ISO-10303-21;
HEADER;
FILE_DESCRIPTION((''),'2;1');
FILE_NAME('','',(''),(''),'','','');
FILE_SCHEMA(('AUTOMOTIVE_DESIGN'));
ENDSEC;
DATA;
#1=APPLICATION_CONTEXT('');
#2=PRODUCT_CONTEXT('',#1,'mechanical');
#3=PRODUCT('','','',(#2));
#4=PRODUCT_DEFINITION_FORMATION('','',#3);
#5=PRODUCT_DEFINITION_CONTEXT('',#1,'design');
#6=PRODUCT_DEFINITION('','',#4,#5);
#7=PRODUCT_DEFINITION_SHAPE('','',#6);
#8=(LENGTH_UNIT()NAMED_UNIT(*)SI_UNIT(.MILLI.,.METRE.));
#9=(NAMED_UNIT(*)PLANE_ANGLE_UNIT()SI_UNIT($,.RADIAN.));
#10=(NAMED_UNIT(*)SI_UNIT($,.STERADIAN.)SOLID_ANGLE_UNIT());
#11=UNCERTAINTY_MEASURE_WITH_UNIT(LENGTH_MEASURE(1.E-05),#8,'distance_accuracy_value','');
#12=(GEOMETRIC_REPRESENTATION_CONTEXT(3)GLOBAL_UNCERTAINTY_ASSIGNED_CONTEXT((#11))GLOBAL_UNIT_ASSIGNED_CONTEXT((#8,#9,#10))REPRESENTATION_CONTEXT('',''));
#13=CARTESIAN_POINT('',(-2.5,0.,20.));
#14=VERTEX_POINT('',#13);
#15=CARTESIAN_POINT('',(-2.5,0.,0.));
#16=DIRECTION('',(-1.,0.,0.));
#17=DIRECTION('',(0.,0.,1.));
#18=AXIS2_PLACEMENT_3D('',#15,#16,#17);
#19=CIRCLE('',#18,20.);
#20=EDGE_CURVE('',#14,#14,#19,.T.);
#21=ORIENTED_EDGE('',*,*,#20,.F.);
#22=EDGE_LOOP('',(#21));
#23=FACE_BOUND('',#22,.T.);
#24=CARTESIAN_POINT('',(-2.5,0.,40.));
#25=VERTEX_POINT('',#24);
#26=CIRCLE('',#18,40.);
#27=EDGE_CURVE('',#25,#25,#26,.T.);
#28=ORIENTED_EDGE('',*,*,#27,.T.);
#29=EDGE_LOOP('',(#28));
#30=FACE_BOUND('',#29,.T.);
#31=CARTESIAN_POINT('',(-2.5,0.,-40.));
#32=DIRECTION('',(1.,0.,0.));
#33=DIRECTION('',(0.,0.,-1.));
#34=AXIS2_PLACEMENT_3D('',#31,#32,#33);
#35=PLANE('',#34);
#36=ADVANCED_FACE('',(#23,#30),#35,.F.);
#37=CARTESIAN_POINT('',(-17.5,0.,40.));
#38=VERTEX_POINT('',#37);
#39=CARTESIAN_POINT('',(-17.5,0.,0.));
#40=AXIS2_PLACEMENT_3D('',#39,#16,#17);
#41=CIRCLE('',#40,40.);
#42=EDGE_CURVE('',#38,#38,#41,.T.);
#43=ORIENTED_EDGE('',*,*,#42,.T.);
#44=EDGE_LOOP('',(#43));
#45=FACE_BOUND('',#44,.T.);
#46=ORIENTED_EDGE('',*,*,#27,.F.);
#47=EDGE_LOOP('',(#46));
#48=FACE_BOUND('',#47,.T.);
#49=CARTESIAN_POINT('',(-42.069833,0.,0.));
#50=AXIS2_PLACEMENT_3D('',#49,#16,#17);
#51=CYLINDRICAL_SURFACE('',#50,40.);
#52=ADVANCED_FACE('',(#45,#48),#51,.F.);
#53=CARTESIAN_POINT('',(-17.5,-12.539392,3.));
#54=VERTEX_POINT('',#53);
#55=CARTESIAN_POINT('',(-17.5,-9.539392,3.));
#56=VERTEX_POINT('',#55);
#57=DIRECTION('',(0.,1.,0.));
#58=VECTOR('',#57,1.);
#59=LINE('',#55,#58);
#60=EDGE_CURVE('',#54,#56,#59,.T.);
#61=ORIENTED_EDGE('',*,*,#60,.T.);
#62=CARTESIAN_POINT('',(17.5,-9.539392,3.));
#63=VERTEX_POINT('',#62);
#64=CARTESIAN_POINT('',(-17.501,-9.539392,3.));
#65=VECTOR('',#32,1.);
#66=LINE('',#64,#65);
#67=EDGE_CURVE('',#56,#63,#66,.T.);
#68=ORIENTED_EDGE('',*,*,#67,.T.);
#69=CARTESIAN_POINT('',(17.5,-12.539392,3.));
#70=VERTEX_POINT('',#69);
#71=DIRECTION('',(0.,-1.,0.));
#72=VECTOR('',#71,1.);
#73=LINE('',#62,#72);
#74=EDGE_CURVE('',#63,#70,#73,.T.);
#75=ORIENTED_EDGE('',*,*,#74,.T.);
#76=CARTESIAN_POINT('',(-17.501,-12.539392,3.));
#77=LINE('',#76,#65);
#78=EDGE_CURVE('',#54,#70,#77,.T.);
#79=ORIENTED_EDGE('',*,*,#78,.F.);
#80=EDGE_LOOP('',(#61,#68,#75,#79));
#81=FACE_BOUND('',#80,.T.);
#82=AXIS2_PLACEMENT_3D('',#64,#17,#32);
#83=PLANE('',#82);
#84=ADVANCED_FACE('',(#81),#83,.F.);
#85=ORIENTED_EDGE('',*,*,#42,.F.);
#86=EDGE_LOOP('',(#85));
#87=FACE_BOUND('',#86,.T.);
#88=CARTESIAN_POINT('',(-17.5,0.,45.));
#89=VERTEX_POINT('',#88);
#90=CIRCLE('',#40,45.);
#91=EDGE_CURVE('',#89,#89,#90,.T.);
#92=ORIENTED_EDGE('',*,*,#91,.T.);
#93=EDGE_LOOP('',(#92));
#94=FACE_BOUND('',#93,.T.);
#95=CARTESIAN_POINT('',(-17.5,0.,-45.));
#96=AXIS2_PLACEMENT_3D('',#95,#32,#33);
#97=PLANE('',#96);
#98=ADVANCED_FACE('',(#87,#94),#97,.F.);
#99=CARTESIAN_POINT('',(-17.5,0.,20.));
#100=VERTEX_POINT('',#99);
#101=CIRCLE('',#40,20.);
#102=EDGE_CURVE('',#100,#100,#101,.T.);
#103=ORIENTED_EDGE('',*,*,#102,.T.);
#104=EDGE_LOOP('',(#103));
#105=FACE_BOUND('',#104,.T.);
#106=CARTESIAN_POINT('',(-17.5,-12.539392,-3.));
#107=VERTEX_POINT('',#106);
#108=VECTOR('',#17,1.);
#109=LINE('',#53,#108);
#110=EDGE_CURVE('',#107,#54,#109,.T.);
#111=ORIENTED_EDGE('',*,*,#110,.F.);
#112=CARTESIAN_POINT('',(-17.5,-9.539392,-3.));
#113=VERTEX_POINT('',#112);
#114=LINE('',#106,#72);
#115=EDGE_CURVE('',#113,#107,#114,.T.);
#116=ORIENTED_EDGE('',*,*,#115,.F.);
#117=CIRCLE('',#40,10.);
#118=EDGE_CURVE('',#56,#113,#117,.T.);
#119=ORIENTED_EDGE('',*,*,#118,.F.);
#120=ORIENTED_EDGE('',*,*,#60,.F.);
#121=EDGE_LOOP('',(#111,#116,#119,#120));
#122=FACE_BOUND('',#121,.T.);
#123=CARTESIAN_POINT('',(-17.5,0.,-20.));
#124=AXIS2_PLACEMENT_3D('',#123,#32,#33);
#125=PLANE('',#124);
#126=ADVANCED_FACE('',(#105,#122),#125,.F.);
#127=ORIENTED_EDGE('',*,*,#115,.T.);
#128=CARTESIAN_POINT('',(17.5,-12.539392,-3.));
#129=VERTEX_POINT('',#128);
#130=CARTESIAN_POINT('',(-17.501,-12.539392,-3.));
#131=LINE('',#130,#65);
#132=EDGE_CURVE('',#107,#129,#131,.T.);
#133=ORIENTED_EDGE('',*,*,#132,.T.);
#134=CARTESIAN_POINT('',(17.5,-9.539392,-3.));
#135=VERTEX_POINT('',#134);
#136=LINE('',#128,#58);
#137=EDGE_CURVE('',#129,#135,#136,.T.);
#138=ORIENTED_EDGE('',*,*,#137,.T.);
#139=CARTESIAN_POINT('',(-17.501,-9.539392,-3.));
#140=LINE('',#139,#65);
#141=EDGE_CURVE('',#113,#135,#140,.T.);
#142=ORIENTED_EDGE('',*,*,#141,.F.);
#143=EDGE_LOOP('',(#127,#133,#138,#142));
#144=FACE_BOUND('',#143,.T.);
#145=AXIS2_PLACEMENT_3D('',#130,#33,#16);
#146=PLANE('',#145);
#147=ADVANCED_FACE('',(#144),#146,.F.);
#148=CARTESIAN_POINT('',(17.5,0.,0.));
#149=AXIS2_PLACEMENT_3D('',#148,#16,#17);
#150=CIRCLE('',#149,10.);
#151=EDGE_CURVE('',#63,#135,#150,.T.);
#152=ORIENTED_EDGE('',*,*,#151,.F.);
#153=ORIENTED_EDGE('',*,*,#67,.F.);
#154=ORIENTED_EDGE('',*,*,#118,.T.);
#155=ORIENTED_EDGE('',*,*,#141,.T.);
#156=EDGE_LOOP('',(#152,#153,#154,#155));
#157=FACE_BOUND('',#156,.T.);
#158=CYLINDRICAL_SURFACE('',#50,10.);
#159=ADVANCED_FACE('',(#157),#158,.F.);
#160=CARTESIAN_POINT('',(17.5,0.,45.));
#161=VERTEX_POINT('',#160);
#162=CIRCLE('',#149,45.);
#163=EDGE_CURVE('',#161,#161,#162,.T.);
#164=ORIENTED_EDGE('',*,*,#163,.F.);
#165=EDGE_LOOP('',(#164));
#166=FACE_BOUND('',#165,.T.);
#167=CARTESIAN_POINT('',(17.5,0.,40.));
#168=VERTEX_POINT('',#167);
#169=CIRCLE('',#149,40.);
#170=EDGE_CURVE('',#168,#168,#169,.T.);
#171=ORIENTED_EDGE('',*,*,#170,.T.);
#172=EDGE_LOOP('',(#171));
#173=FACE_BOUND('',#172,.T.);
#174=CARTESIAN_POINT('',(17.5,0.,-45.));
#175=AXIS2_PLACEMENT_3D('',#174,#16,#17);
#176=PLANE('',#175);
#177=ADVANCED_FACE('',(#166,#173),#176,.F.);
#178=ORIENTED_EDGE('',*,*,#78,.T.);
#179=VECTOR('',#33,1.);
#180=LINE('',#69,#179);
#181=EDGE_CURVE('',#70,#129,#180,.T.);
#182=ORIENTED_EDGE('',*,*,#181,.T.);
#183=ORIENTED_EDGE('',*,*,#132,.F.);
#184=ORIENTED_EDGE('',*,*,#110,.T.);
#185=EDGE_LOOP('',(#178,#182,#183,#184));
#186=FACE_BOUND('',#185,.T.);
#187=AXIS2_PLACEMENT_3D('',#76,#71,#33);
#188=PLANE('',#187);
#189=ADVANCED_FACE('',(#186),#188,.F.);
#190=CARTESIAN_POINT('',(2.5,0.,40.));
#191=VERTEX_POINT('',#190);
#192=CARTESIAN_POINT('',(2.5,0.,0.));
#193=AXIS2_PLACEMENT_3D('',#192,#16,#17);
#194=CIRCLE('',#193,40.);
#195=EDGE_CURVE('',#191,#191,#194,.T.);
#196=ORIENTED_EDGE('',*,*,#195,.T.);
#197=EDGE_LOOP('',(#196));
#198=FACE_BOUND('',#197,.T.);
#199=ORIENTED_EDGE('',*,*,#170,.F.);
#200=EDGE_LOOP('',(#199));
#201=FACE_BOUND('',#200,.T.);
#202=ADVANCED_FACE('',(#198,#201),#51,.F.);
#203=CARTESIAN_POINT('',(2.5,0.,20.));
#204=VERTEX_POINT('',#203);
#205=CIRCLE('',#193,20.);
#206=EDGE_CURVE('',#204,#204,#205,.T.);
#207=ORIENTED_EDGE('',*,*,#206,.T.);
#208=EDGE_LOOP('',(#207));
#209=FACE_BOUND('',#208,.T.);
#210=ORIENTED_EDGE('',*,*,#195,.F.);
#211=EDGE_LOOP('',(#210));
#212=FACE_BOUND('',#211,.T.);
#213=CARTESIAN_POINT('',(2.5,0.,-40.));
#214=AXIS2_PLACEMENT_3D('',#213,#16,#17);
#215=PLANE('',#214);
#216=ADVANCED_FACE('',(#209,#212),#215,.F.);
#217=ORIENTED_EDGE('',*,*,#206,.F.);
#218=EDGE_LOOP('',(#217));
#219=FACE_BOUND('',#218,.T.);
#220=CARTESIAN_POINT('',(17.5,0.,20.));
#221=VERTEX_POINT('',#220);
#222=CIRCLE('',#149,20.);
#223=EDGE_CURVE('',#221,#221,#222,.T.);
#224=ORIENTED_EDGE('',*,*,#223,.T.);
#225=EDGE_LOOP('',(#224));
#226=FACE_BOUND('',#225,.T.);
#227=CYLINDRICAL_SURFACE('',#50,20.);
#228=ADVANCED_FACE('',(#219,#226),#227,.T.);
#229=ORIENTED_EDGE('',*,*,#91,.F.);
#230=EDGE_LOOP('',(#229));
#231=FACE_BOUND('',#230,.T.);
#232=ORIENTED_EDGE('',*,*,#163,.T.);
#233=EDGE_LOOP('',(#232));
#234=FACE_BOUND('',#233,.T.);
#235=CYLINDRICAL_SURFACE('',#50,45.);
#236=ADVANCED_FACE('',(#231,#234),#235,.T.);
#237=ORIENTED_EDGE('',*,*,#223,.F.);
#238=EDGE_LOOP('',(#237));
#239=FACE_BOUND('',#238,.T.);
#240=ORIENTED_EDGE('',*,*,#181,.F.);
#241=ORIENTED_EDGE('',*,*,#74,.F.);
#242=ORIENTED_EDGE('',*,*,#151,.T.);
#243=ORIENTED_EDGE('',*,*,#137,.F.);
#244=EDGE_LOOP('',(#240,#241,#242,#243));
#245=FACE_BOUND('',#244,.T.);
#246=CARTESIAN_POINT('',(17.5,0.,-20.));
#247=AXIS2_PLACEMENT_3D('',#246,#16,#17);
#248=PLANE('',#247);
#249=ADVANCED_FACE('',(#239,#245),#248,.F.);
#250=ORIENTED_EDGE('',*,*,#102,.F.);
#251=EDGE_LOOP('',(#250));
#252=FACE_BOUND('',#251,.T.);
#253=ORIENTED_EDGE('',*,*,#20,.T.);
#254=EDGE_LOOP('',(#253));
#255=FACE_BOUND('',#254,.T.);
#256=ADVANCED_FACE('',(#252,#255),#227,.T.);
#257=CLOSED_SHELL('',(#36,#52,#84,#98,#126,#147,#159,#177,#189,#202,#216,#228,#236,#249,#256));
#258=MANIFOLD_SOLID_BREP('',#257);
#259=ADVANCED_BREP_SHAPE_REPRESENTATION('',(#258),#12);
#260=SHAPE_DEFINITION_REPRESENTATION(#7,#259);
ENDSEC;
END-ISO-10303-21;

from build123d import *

# Parameters (mm, degrees)
CUT_EXTRUDE1_REACH = 74.629


with BuildPart() as part:
    # Sketch1 → Revolve1 (revolve)
    with BuildSketch(Plane(origin=(0, 0, 0), x_dir=(1, 0, 0), z_dir=(0, 1, 0)), mode=Mode.PRIVATE) as revolve1_sk:
        Polygon((-17.5, 45), (17.5, 45), (17.5, 40), (2.5, 40), (2.5, 20), (17.5, 20), (17.5, 10), (-17.5, 10), (-17.5, 20), (-2.5, 20), (-2.5, 40), (-17.5, 40), align=None)
    revolve(revolve1_sk.sketch.rotate(Axis((-42.069832926, 0, 0), (1, 0, 0)), 180), axis=Axis((-42.069832926, 0, 0), (1, 0, 0)))

    # Sketch2 → Cut-Extrude1 (cut, up to next)
    with BuildSketch(Plane(origin=(17.5, 0, 0), x_dir=(0, 0, -1), z_dir=(1, 0, 0)), mode=Mode.PRIVATE) as cut_extrude1_sk1:
        with BuildLine():
            Line((-3, -9.539392014), (-3, -12.539392014))
            Line((-3, -12.539392014), (3, -12.539392014))
            Line((3, -12.539392014), (3, -9.539392014))
            ThreePointArc((3, -9.539392014), (0, -10), (-3, -9.539392014))
        make_face()
    cut_extrude1_tool1 = extrude(cut_extrude1_sk1.sketch, amount=-CUT_EXTRUDE1_REACH, mode=Mode.PRIVATE) & part.part
    add(cut_extrude1_tool1.solids().sort_by_distance((17.5, -11.19017, 0))[0], mode=Mode.SUBTRACT)


solid = part.part
